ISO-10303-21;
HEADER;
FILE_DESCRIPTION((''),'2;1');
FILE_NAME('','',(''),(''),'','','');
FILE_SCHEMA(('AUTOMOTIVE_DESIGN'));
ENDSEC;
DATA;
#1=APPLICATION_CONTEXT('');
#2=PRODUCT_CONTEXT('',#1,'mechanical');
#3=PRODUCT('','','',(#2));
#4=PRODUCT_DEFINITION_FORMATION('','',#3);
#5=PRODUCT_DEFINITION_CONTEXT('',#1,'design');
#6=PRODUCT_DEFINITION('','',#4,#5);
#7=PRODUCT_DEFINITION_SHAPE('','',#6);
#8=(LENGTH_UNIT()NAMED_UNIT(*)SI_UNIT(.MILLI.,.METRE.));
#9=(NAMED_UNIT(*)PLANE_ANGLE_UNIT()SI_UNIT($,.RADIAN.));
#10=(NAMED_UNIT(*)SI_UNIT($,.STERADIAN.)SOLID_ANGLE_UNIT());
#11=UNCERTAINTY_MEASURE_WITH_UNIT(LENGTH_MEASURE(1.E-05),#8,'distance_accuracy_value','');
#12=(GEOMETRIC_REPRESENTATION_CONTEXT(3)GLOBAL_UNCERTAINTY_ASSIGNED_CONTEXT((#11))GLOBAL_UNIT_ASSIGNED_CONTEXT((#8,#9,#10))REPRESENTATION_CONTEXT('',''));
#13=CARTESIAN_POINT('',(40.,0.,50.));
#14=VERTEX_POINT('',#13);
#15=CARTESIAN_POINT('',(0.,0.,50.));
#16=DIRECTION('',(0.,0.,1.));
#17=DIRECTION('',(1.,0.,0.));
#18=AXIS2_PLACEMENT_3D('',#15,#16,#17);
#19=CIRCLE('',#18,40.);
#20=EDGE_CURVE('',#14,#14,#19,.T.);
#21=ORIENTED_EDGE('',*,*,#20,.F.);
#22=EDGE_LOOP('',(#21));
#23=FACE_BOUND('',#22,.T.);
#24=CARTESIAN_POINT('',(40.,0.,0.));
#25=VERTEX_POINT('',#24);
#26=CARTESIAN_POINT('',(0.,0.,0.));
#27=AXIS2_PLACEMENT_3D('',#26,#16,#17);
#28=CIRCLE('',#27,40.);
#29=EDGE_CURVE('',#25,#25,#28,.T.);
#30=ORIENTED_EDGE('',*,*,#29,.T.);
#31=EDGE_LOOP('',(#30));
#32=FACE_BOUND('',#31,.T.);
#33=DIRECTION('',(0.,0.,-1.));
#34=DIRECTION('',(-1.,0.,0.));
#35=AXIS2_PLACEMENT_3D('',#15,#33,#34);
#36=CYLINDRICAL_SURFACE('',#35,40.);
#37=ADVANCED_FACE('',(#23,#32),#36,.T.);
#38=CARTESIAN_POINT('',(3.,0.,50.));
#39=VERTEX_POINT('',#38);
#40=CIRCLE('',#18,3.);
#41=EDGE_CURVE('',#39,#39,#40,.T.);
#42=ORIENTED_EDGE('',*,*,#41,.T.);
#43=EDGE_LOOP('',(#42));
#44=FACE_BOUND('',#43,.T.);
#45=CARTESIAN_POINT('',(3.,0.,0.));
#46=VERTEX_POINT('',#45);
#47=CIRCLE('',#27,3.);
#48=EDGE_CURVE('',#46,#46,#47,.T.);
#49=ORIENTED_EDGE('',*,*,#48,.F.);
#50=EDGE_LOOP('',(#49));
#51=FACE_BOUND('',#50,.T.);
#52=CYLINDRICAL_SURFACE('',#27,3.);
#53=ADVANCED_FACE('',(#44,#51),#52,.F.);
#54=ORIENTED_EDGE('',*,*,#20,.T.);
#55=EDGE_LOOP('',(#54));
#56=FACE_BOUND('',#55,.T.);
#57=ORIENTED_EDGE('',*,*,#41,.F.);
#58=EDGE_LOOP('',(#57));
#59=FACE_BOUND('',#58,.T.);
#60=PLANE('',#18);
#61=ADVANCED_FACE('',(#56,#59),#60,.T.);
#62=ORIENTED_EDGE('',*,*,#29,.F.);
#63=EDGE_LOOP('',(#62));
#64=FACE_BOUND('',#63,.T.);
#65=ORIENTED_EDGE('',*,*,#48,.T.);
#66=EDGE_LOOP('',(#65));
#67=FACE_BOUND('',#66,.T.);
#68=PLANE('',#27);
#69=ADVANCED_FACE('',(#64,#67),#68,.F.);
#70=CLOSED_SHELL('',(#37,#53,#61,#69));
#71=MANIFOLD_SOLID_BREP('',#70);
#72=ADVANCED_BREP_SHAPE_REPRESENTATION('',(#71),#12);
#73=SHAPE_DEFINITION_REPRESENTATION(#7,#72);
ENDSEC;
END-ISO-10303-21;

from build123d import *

# Parameters (mm, degrees)
SKETCH_1_R          = 40
EXTRUDE_1_DEPTH     = 50
SKETCH_2_R          = 3
CUT_EXTRUDE_1_DEPTH = 76.498344353


with BuildPart() as part:
    # 草图1 → 凸台-拉伸1 (new body)
    with BuildSketch(Plane.XY):
        Circle(SKETCH_1_R)
    extrude(amount=EXTRUDE_1_DEPTH)

    # 草图2 → 切除-拉伸1 (cut, through all)
    with BuildSketch(Plane.XY.offset(50)):
        Circle(SKETCH_2_R)
    extrude(amount=-CUT_EXTRUDE_1_DEPTH, mode=Mode.SUBTRACT)


solid = part.part
